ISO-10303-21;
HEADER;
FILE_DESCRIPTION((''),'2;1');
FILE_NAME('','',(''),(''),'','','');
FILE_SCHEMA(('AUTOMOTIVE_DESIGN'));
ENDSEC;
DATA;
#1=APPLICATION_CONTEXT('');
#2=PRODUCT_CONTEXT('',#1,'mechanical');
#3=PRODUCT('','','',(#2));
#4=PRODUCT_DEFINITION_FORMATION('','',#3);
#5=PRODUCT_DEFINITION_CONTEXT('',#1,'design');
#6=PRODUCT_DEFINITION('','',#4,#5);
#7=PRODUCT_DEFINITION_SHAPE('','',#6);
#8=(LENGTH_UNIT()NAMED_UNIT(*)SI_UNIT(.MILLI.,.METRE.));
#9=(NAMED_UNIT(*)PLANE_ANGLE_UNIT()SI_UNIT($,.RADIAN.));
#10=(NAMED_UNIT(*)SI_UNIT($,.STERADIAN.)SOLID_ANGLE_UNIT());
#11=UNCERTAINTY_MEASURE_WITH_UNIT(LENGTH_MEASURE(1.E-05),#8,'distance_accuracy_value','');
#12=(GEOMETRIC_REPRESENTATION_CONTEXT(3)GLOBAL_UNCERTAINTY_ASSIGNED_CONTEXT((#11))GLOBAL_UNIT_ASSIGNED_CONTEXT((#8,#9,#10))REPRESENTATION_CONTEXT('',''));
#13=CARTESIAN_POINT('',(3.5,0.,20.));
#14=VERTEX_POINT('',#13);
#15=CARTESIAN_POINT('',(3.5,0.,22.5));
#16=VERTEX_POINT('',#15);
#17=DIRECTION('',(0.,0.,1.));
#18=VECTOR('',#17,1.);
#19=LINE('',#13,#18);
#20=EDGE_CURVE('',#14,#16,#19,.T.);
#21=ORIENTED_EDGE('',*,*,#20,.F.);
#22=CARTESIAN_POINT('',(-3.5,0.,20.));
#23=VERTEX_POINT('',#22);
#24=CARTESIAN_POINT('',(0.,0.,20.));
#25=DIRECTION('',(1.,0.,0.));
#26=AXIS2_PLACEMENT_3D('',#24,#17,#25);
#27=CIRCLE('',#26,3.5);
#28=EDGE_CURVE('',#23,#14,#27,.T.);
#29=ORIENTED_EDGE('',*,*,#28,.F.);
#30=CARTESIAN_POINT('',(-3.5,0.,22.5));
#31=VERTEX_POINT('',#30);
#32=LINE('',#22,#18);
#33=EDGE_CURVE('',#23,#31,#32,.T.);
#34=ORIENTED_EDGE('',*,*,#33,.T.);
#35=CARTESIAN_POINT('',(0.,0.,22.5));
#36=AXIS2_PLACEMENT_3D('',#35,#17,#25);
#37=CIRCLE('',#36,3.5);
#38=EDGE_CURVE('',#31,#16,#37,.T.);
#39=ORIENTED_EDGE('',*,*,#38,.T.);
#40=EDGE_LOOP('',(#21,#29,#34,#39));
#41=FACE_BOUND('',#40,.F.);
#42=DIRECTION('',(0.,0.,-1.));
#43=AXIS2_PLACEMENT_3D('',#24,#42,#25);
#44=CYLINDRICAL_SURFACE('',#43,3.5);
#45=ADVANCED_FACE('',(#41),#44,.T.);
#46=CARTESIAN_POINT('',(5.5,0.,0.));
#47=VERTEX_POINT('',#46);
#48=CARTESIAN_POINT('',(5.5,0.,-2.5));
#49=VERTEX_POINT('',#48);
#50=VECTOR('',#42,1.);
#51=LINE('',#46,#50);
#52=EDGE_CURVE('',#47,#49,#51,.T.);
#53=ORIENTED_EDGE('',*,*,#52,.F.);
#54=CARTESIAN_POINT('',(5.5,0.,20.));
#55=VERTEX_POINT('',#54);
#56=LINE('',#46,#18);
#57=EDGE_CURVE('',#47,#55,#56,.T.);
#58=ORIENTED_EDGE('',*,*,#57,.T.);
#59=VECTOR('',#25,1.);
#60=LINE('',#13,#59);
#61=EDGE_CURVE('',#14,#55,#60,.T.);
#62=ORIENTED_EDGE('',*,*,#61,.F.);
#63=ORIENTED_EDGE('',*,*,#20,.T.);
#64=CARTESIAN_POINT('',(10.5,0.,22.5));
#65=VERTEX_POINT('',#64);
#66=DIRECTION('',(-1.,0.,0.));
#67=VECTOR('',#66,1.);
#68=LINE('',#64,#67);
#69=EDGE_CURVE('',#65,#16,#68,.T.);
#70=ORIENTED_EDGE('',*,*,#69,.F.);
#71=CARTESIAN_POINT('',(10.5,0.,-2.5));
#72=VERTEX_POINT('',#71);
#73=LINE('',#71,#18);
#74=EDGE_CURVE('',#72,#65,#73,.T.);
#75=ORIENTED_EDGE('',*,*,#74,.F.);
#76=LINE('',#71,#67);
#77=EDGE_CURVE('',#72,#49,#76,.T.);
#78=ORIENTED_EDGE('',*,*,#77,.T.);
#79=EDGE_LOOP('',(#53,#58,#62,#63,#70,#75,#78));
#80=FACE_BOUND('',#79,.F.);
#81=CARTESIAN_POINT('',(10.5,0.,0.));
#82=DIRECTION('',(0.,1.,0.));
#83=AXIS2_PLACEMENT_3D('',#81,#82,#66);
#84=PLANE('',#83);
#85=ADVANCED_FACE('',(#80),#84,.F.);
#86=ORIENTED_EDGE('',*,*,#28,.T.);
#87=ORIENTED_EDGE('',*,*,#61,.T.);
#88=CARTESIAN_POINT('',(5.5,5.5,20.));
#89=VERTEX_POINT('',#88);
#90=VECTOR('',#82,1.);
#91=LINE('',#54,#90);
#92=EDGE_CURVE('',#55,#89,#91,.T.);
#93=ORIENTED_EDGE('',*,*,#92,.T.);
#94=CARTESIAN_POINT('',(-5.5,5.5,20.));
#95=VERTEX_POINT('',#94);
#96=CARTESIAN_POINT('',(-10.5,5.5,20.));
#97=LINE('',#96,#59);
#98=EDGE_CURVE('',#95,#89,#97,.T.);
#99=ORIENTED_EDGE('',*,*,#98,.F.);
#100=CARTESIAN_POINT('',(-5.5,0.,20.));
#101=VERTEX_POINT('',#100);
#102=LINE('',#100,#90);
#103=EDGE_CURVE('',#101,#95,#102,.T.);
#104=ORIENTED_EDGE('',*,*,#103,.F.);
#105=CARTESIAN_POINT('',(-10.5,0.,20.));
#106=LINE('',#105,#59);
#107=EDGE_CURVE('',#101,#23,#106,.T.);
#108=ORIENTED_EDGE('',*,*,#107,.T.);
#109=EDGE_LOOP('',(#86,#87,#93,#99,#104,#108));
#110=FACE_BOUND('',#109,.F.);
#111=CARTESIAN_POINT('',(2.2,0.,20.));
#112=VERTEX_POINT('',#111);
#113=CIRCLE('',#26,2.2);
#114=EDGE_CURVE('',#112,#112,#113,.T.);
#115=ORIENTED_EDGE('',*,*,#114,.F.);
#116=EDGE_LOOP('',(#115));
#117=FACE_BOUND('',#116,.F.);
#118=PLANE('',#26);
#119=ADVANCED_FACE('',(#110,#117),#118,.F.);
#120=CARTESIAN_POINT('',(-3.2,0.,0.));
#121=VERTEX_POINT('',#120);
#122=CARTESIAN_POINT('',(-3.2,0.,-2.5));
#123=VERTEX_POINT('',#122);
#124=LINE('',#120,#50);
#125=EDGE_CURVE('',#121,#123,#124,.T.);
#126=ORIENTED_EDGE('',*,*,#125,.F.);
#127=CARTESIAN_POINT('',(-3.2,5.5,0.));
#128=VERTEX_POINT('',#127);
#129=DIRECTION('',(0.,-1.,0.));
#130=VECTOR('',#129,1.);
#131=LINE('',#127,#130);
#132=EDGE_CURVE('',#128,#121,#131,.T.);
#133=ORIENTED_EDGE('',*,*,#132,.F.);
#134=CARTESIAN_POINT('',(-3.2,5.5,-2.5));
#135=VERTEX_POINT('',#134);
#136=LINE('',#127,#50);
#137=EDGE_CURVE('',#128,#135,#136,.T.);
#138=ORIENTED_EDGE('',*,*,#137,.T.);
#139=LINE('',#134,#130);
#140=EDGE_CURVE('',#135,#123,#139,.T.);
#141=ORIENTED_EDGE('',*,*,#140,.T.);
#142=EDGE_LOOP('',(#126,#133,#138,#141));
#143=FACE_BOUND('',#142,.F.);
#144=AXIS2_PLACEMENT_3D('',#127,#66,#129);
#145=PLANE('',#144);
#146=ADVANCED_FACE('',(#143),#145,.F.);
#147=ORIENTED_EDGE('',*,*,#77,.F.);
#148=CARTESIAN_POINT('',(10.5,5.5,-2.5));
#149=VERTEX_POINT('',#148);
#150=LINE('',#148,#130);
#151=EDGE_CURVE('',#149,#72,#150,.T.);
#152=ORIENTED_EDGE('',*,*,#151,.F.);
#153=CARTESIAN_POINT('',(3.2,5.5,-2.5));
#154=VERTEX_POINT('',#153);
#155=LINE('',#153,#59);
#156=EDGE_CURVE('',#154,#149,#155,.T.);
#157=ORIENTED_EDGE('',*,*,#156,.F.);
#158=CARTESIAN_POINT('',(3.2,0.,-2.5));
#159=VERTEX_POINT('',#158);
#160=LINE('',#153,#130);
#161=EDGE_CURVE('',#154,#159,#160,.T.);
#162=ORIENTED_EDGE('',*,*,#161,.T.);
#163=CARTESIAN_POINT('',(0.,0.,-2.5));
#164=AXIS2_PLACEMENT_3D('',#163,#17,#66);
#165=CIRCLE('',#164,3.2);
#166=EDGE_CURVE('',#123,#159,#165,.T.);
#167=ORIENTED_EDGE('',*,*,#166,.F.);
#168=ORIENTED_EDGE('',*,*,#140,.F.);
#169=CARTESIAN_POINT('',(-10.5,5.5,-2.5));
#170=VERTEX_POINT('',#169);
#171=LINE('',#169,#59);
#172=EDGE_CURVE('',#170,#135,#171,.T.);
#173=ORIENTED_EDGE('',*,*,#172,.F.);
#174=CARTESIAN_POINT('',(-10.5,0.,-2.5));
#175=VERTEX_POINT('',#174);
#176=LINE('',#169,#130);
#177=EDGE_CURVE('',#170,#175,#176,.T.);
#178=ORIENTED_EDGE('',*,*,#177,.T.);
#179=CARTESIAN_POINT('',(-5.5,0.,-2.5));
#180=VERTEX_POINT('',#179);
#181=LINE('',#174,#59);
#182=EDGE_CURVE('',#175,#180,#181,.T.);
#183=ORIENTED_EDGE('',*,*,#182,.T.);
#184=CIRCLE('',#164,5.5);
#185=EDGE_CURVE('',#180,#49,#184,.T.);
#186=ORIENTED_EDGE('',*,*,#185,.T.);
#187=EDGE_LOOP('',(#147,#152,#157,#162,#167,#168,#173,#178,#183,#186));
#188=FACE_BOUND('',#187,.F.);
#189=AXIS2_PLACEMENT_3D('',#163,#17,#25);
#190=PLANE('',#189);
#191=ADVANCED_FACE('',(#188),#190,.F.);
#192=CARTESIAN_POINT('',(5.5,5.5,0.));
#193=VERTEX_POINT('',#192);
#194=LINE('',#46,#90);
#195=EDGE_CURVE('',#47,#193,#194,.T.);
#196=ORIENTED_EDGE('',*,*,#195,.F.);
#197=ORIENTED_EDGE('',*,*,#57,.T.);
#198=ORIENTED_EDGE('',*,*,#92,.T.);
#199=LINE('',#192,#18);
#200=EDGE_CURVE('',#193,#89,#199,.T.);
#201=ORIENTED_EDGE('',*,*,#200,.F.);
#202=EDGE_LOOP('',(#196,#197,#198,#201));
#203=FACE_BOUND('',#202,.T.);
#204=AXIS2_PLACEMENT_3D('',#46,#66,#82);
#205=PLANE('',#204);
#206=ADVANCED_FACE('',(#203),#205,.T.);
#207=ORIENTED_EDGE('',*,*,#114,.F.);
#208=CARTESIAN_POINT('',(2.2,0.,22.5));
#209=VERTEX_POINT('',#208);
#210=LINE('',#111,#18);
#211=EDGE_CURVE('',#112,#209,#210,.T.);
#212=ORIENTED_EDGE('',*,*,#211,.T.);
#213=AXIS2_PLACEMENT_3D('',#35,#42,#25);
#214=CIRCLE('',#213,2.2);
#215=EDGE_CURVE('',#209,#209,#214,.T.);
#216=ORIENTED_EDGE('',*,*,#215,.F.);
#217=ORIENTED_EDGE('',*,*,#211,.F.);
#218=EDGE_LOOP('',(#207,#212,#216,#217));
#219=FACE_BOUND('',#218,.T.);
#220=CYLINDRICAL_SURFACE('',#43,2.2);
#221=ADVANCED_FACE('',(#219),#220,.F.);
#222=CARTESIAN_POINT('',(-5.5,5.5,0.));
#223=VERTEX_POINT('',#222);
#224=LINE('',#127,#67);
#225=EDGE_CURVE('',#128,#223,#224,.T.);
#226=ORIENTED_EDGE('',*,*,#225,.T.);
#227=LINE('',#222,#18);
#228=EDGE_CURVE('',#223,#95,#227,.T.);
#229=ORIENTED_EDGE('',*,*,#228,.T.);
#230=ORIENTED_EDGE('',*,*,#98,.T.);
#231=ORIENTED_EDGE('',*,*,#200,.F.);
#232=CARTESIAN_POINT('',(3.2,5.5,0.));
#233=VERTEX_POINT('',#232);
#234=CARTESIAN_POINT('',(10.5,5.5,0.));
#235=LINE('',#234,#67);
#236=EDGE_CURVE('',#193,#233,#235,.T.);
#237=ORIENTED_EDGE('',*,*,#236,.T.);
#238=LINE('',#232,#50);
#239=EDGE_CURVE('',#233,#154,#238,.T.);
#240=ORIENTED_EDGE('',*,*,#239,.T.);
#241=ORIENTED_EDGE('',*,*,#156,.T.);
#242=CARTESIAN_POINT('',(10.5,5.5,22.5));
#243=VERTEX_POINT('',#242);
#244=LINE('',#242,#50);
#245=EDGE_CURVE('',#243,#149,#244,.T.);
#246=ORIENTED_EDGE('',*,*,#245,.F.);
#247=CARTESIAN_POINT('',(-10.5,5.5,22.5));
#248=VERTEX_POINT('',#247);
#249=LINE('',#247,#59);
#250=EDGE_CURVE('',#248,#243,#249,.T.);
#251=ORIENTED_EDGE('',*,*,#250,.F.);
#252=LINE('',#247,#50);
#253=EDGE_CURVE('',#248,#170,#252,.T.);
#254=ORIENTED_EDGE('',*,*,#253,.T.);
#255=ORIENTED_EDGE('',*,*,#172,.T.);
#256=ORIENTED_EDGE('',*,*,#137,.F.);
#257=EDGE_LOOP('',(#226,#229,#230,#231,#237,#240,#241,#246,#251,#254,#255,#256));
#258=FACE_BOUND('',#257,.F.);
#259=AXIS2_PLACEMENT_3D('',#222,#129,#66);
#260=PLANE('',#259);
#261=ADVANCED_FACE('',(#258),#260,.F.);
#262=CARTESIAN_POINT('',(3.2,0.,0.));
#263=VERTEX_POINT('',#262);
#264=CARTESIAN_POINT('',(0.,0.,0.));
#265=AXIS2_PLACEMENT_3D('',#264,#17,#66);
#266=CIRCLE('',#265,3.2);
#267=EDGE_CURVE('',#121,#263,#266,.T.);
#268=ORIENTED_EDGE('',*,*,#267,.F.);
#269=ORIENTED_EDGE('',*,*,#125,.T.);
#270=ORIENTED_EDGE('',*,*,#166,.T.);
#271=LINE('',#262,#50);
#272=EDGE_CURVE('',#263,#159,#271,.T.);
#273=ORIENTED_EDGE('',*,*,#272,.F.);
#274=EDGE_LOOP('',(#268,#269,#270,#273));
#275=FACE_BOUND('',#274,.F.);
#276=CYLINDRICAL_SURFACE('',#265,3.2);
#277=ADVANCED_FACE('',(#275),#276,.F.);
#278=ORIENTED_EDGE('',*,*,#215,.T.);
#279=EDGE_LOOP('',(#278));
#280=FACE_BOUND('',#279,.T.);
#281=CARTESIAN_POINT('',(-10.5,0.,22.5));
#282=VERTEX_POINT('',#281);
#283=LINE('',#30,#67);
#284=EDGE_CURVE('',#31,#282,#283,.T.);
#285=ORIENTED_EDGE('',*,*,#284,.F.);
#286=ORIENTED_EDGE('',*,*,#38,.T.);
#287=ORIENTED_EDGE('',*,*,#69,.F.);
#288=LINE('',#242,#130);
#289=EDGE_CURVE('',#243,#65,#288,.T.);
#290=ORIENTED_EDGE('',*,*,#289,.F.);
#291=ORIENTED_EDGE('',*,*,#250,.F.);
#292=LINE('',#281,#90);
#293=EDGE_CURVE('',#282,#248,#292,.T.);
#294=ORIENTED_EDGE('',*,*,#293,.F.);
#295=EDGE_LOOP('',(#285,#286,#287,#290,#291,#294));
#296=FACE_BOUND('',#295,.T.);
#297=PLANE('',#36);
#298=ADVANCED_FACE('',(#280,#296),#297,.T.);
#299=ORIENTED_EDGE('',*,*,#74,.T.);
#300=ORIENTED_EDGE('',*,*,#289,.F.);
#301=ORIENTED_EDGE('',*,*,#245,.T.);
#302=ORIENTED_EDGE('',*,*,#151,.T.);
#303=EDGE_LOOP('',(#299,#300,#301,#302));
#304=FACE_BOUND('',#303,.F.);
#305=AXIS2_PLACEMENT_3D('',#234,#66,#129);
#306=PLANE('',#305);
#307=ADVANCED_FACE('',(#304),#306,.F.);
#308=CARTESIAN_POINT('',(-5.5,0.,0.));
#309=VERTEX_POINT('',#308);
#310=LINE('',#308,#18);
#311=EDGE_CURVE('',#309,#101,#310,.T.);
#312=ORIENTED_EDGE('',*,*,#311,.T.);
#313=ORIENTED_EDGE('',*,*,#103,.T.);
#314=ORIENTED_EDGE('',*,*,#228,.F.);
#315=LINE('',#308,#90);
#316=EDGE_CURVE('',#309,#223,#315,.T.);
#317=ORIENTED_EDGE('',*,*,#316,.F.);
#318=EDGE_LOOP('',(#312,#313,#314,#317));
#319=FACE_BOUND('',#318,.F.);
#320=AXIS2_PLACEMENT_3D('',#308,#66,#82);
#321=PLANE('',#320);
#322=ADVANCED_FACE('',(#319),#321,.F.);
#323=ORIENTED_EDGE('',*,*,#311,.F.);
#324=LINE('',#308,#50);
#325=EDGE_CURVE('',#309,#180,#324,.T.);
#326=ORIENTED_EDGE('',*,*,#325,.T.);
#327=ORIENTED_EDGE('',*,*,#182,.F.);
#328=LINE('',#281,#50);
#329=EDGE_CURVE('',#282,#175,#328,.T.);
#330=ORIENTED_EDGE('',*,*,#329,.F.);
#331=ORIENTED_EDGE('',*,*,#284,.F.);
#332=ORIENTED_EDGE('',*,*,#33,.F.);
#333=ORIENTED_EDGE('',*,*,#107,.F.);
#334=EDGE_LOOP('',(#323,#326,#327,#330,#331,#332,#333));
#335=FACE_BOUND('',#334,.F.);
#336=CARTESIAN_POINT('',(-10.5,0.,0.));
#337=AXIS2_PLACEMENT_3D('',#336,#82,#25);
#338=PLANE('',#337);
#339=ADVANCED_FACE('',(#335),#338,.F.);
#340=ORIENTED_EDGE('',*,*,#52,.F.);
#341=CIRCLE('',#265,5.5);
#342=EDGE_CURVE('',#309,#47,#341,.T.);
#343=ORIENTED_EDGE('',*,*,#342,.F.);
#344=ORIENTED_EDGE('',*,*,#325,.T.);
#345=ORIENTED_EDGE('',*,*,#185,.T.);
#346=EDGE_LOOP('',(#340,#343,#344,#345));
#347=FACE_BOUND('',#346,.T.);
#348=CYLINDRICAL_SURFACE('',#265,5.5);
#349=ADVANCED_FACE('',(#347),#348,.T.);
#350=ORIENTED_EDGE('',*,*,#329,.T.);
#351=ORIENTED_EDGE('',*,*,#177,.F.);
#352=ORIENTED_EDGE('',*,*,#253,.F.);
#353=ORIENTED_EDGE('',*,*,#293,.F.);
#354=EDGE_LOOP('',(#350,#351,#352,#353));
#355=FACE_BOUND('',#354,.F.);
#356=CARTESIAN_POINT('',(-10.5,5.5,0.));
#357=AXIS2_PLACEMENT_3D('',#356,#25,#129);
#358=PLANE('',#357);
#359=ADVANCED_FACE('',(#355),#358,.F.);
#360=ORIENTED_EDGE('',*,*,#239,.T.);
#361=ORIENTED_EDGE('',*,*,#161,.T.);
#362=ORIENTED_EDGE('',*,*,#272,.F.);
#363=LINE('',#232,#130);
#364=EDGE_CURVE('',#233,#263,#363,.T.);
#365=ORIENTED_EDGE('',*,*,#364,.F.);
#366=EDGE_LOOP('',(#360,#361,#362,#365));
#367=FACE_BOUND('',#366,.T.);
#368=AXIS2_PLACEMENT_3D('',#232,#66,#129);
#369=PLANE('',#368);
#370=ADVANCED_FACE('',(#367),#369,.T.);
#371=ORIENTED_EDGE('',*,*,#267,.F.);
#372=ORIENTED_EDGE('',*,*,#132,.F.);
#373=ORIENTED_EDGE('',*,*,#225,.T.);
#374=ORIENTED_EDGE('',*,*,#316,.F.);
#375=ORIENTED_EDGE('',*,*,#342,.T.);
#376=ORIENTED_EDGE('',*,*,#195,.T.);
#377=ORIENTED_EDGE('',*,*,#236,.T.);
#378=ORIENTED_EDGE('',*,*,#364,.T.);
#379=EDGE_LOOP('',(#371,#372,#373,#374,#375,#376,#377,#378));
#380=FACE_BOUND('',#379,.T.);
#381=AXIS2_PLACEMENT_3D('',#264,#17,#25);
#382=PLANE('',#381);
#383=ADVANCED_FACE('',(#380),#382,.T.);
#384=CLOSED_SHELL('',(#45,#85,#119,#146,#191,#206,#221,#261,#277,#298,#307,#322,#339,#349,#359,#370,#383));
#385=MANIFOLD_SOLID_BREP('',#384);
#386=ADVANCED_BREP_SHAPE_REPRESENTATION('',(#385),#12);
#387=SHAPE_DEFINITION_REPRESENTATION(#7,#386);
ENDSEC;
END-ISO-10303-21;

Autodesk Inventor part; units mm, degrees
ref_plane "YZ Plane" through (0, 0, 0) normal (1, 0, 0) x (0, 1, 0)
ref_plane "XZ Plane" through (0, 0, 0) normal (0, 1, 0) x (-1, 0, 0)
ref_plane "XY Plane" through (0, 0, 0) normal (0, 0, 1) x (1, 0, 0)
sketch "Sketch1" plane through (0, 0, 0) normal (0, 0, 1) x (1, 0, 0)
  arc A0 (-3.2, 0) -> (3.2, 0) centre (0, 0) ccw
  arc A1 (-5.5, 0) -> (5.5, 0) centre (0, 0) ccw
  line L0 (-3.2, 0) -> (-5.5, 0)
  line L1 (-5.5, 0) -> (-5.5, 5.5)
  line L2 (-5.5, 5.5) -> (-3.2, 5.5)
  line L3 (-3.2, 5.5) -> (-3.2, 0)
  line L4 (3.2, 0) -> (5.5, 0)
  line L5 (5.5, 0) -> (5.5, 5.5)
  line L6 (5.5, 5.5) -> (3.2, 5.5)
  line L7 (3.2, 5.5) -> (3.2, 0)
  line L8 (-5.5, 0) -> (-5.5, 5.5)
  line L9 (-5.5, 5.5) -> (-10.5, 5.5)
  line L10 (-10.5, 5.5) -> (-10.5, 0)
  line L11 (-10.5, 0) -> (-5.5, 0)
  line L12 (5.5, 0) -> (5.5, 5.5)
  line L13 (5.5, 5.5) -> (10.5, 5.5)
  line L14 (10.5, 5.5) -> (10.5, 0)
  line L15 (10.5, 0) -> (5.5, 0)
  dimension "d0" = 6.4
  dimension "d1" = 11
  dimension "d2" = 5
  dimension "d3" = 5
extrude "Extr-legs" add sketch "Sketch1" along normal blind 20 contours L11 L10 L9 L1 | L5 L13 L14 L15
extrude "Extr-base" add sketch "Sketch1" against normal blind 2.5
sketch "Sketch2" plane through (0, 0, 20) normal (0, 0, 1) x (1, 0, 0)
  circle A0 centre (0, 0) radius 2.2
  circle A1 centre (0, 0) radius 3.5
  line L0 (5.5, 0) -> (10.5, 0) projected
  line L1 (-10.5, 0) -> (-5.5, 0) projected
  line L2 (-10.5, 0) -> (-10.5, 5.5)
  line L3 (-10.5, 5.5) -> (10.5, 5.5)
  line L4 (10.5, 5.5) -> (10.5, 0)
  line L5 (10.5, 0) -> (2.2, 0)
  line L6 (-2.2, 0) -> (-10.5, 0)
  dimension "d8" = 4.4
  dimension "d9" = 7
extrude "Extr-top" add sketch "Sketch2" along normal blind 2.5 contours L5 A1 L6 A0 | A0 L6 A1 L5 | A1 L6 L1 L2 L3 L4 L0 L5
properties part number "cage2table-mount-M4(top)-M6(bottom)"
